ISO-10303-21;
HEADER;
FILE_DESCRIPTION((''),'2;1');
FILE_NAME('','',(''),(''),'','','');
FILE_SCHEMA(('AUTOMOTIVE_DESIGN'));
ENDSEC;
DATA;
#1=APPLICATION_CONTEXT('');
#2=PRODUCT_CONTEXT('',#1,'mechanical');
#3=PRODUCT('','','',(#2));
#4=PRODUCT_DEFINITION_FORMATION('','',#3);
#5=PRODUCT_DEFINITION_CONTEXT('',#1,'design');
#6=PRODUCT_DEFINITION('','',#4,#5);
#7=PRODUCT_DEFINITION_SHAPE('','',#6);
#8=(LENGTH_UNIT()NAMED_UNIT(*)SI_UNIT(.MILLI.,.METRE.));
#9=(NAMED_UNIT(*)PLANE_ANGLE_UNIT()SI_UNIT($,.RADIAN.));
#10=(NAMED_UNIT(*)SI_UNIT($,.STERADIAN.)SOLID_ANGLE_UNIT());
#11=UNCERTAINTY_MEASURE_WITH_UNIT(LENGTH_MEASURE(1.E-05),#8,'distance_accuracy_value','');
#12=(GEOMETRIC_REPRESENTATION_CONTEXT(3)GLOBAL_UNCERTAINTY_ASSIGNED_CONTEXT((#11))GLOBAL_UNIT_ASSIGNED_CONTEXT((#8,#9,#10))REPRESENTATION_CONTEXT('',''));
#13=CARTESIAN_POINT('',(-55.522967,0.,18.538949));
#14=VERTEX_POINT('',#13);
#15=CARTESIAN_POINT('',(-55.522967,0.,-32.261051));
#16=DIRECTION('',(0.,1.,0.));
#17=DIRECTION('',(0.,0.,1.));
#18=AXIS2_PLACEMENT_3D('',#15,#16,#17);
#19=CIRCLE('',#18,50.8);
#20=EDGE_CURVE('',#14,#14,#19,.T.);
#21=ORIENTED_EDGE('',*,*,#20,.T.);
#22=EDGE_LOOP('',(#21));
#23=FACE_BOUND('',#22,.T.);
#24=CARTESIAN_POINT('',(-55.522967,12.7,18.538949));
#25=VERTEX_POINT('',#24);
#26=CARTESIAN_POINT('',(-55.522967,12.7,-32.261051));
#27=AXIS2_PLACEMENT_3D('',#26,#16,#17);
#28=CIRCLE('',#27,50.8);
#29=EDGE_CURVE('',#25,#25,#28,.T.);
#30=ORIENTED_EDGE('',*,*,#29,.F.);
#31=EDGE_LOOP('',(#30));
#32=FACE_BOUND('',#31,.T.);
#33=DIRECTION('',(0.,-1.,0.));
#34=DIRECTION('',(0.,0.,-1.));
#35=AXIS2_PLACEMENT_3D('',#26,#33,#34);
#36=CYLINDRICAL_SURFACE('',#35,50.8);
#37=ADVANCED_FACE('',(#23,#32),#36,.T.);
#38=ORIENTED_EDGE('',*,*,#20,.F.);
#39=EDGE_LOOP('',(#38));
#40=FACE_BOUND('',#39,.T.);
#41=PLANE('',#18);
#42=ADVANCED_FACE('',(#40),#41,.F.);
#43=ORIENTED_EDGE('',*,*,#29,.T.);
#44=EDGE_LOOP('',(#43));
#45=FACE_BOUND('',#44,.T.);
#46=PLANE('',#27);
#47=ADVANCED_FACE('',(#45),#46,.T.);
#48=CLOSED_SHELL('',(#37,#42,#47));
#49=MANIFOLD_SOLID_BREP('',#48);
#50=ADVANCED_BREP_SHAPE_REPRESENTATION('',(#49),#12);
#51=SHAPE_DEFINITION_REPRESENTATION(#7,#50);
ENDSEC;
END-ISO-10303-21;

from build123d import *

# Parameters (mm, degrees)
SKETCH1_R           = 50.8
BOSS_EXTRUDE1_DEPTH = 12.7


with BuildPart() as part:
    # Sketch1 → Boss-Extrude1 (new body)
    with BuildSketch(Plane(origin=(0, 0, 0), x_dir=(1, 0, 0), z_dir=(0, 1, 0))):
        with Locations((-55.522966501, 32.261050872)):
            Circle(SKETCH1_R)
    extrude(amount=BOSS_EXTRUDE1_DEPTH)


solid = part.part
